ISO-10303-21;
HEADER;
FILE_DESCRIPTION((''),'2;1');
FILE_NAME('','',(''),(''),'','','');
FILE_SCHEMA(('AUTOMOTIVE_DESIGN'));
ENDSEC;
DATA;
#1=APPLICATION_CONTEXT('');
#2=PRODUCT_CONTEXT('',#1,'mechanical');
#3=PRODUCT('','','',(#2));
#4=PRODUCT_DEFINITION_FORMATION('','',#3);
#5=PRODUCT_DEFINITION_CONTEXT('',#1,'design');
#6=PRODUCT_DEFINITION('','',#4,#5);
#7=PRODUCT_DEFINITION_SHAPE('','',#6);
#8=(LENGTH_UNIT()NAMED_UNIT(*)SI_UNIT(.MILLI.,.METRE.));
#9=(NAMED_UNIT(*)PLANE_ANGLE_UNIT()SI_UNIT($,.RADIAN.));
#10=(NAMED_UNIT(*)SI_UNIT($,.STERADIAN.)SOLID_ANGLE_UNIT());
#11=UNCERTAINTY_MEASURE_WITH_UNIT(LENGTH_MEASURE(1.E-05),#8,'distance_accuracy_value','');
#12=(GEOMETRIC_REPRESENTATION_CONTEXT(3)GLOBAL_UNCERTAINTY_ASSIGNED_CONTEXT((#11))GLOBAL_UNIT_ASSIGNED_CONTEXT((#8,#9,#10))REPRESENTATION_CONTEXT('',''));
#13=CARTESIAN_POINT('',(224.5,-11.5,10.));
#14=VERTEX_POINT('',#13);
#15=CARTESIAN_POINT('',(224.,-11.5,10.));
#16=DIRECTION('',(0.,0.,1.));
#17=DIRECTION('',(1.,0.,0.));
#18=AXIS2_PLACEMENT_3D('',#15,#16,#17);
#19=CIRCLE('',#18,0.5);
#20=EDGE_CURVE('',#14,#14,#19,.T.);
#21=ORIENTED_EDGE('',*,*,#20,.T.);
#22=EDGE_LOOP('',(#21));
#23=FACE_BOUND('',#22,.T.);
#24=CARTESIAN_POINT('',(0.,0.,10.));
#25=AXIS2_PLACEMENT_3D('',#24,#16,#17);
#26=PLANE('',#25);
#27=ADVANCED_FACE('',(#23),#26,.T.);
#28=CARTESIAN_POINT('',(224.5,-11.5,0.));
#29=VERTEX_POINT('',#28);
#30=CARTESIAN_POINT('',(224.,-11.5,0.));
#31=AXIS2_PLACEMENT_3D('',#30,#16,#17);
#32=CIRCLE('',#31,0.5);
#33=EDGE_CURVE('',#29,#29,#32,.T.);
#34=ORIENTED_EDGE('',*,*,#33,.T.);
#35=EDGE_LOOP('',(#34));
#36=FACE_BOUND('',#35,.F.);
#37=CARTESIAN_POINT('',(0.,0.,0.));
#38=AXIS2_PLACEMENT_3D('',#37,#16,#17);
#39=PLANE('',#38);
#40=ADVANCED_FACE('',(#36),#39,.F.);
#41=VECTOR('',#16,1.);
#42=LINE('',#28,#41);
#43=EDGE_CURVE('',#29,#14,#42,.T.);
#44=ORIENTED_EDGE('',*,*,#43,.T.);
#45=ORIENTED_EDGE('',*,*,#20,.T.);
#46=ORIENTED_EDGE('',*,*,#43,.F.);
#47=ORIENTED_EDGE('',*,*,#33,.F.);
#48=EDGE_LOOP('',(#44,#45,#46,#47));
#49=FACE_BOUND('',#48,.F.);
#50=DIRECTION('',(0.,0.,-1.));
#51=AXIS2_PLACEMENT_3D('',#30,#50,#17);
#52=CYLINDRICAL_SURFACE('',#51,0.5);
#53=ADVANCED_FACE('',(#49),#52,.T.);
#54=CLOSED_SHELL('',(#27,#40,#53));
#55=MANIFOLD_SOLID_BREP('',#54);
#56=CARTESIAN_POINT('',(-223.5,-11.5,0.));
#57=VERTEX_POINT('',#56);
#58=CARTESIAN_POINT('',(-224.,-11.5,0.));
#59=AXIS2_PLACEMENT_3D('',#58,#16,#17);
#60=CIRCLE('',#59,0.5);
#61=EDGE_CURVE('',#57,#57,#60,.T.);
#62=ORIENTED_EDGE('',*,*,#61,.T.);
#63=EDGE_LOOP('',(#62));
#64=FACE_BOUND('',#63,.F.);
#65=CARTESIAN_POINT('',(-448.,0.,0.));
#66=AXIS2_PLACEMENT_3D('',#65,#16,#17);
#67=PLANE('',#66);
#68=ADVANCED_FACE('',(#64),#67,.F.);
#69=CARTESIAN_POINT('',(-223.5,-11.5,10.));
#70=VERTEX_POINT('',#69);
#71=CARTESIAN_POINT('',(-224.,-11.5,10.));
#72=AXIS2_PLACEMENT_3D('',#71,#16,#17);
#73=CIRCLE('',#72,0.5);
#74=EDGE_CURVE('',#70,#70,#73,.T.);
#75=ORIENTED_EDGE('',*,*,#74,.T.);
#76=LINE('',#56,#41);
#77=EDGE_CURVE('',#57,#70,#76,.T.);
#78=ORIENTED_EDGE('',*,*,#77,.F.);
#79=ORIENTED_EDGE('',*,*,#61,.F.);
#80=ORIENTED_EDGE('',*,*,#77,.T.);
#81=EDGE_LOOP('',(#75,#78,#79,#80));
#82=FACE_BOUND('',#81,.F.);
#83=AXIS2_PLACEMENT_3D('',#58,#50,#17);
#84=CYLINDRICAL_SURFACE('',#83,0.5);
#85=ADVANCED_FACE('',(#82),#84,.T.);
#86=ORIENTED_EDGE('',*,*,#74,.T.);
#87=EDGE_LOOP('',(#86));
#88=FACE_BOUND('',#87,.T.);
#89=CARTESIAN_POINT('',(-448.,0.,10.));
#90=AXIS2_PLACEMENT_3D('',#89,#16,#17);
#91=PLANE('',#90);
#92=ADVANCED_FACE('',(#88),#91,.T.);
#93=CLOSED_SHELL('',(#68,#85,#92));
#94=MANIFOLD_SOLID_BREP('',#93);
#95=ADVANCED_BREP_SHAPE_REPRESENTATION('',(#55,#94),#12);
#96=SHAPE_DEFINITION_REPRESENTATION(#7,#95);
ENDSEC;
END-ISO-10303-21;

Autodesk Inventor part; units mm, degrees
ref_plane "YZ Plane" through (0, 0, 0) normal (1, 0, 0) x (0, 1, 0)
ref_plane "XZ Plane" through (0, 0, 0) normal (0, 1, 0) x (-1, 0, 0)
ref_plane "XY Plane" through (0, 0, 0) normal (0, 0, 1) x (1, 0, 0)
sketch "Sketch1" plane through (0, 0, 0) normal (0, 0, 1) x (1, 0, 0)
  line L0 (-291.5, -9) -> (291.5, -9)
  line L1 (291.5, -9) -> (291.5, 9)
  line L2 (291.5, 9) -> (-291.5, 9)
  line L3 (-291.5, 9) -> (-291.5, -9)
  line L4 (-291.5, -9) -> (291.5, 9) construction
  line L5 (291.5, -9) -> (-291.5, 9) construction
  point P0 (0, 0)
  dimension "d0" = 583
  dimension "d1" = 18
sketch "Lamello" plane through (0, 0, 0) normal (0, 0, 1) x (1, 0, 0)
  line L0 (48.383, 141.1858) -> (42.783, 141.1858)
  line L1 (40.583, 139.6858) -> (40.583, 114.6858)
  line L2 (42.783, 113.1858) -> (48.383, 113.1858)
  line L3 (50.583, 114.6858) -> (50.583, 139.6858)
  line L4 (50.583, 139.6858) -> (48.383, 141.1858)
  line L5 (40.583, 139.6858) -> (42.783, 141.1858)
  line L6 (40.583, 114.6858) -> (42.783, 113.1858)
  line L7 (50.583, 114.6858) -> (48.383, 113.1858)
  line L8 (50.583, 127.1858) -> (40.583, 127.1858)
  line L9 (45.583, 141.1858) -> (45.583, 113.1858)
  point P0 (45.583, 127.1858)
  point P1 (50.583, 141.1858)
  point P2 (40.583, 113.1858)
  point P3 (40.583, 141.1858)
  point P4 (50.583, 113.1858)
  dimension "d54" = 10
  dimension "d55" = 28
  dimension "d56" = 1.5
  dimension "d57" = 2.2
  dimension "d58" = 1.5
  dimension "d59" = 2.2
  dimension "d60" = 1.5
  dimension "d61" = 2.2
  dimension "d62" = 1.5
  dimension "d63" = 2.2
sketch "Sketch2" plane through (0, 0, 0) normal (0, 0, 1) x (1, 0, 0)
  circle A0 centre (224, -11.5) radius 0.5
  line L0 (291.5, 9) -> (-291.5, 9) projected
  line L1 (-291.5, -9) -> (291.5, -9) projected
  line L2 (0, -16.2) -> (0, 13.2) projected
  point P0 (0, 0)
  dimension "d2" = 224
  dimension "d4" = 1
  dimension "d50" = 20.5
extrude "Extrusion1" add sketch "Sketch2" along normal blind 10
pattern_linear "Holders Array" count 2 spacing 448 along (-1, 0, 0) of "Extrusion1"
equation "\"d2\" = X_Coord"
equation "\"d9\" = Step"
equation "\"d0\" = ContactPatchWidth"
equation "\"d1\" = ContactPatchHeight"
equation "\"ContactPatchWidth\" = 583"
equation "\"ContactPatchHeight\" = 18"
equation "\"PlacingStep\" = 32"
equation "\"PlacingWidth\" = ContactPatchWidth - 2 * MinDistFromSide"
equation "\"MinDistBetween\" = 96"
equation "\"X_Coord\" = 224"
equation "\"Y_Coord\" = 0"
equation "\"NestleBoardT\" = 18"
equation "\"PillarBoardT\" = 18"
equation "\"AngleForYPositionCalc\" = 30deg"
equation "\"ConnectionAngle\" = 30deg"
equation "\"Step\" = 448"
equation "\"MinDistFromSide\" = 60"
properties part number "Shelf Holder Joint1200"
